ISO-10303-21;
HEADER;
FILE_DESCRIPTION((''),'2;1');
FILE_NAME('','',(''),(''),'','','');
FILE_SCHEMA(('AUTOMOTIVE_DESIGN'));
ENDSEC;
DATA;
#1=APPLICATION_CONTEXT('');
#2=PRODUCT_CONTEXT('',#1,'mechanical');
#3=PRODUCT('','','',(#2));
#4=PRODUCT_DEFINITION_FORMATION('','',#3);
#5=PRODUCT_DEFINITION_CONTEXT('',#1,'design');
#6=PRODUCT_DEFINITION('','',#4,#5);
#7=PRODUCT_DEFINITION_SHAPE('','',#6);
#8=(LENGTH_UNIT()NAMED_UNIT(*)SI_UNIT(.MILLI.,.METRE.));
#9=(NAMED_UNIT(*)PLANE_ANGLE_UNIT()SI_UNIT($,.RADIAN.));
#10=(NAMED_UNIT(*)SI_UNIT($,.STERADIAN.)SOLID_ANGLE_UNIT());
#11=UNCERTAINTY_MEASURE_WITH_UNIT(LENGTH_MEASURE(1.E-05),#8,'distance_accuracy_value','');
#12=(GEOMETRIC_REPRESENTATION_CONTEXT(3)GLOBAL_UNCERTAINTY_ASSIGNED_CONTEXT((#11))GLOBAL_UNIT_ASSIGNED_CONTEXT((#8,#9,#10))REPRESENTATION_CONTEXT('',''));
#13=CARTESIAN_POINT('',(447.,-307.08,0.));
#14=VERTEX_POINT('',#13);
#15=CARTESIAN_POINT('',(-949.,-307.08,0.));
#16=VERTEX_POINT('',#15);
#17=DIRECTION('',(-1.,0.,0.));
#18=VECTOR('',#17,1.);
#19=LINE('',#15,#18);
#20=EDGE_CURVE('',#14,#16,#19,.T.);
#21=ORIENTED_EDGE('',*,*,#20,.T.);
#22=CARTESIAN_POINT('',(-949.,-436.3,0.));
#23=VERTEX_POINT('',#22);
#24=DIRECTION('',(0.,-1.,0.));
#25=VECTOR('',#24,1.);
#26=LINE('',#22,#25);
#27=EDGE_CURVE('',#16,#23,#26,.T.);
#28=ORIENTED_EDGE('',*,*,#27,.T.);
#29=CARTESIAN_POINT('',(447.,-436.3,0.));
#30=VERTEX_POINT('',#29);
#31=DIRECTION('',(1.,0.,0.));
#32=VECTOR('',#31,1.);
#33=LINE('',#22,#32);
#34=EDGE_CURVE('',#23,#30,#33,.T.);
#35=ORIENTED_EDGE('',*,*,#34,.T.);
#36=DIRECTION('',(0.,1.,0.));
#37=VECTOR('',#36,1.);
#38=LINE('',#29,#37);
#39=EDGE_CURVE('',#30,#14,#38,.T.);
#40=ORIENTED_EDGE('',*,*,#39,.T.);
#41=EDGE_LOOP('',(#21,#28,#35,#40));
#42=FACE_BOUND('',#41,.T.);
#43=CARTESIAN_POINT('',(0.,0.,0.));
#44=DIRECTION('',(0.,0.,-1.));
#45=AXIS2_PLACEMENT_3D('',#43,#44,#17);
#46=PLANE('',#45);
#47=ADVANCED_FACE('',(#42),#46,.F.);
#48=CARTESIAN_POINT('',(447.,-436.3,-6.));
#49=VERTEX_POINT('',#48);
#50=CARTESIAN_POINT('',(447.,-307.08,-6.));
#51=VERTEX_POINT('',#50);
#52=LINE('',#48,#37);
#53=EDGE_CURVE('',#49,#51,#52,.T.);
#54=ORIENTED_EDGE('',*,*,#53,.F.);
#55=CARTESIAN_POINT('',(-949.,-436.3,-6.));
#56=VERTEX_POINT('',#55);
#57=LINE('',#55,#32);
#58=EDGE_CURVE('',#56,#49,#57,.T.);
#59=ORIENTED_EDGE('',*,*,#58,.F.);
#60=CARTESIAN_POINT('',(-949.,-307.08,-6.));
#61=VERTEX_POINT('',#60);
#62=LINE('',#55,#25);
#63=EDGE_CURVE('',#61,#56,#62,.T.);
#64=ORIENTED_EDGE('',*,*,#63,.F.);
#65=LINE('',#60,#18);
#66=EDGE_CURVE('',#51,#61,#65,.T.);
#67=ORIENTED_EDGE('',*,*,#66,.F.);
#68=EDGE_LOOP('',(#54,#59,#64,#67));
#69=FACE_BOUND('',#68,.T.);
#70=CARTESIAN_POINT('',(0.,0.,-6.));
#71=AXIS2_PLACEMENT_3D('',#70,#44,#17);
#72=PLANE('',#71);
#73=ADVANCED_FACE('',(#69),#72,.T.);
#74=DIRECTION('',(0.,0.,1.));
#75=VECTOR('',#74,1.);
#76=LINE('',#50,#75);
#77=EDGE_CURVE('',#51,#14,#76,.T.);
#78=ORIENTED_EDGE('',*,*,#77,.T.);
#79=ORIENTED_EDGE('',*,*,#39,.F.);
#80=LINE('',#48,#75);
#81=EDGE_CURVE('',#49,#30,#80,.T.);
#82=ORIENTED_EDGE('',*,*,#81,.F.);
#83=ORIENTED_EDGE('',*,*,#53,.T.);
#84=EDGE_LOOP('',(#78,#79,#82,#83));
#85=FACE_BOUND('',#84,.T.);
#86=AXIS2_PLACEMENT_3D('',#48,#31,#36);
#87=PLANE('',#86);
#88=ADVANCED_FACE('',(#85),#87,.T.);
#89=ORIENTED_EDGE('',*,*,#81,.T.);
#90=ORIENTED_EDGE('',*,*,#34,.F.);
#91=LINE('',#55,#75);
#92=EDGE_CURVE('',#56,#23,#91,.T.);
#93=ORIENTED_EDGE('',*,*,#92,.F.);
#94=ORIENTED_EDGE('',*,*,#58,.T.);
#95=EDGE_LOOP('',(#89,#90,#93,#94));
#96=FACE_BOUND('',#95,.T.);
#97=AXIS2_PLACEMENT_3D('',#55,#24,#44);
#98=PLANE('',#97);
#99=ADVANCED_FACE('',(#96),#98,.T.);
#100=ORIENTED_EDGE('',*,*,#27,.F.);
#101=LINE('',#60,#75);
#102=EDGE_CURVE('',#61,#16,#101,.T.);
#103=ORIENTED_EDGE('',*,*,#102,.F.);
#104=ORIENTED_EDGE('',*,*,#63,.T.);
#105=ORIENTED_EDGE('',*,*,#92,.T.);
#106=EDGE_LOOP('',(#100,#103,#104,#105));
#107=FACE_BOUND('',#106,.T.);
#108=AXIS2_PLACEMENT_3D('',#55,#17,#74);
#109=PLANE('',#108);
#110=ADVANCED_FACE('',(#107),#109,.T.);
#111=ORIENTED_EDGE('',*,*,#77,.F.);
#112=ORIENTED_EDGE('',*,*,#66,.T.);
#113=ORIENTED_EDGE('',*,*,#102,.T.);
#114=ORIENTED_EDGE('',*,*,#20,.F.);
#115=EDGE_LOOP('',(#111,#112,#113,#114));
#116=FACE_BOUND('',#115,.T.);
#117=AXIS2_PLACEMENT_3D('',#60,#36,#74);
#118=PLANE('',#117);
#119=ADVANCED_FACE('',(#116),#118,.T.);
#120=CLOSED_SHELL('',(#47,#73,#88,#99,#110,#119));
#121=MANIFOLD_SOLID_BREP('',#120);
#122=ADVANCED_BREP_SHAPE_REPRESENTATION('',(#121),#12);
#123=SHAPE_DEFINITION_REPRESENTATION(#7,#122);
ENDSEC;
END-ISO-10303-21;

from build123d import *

# Parameters (mm, degrees)
SKETCH_1_W      = 1396
SKETCH_1_H      = 129.22
EXTRUDE_1_DEPTH = 6


with BuildPart() as part:
    # Эскиз1 → Бобышка-Вытянуть1 (new body)
    with BuildSketch(Plane.XY):
        with Locations((-251, -371.69)):
            Rectangle(SKETCH_1_W, SKETCH_1_H)
    extrude(amount=-EXTRUDE_1_DEPTH)


solid = part.part
